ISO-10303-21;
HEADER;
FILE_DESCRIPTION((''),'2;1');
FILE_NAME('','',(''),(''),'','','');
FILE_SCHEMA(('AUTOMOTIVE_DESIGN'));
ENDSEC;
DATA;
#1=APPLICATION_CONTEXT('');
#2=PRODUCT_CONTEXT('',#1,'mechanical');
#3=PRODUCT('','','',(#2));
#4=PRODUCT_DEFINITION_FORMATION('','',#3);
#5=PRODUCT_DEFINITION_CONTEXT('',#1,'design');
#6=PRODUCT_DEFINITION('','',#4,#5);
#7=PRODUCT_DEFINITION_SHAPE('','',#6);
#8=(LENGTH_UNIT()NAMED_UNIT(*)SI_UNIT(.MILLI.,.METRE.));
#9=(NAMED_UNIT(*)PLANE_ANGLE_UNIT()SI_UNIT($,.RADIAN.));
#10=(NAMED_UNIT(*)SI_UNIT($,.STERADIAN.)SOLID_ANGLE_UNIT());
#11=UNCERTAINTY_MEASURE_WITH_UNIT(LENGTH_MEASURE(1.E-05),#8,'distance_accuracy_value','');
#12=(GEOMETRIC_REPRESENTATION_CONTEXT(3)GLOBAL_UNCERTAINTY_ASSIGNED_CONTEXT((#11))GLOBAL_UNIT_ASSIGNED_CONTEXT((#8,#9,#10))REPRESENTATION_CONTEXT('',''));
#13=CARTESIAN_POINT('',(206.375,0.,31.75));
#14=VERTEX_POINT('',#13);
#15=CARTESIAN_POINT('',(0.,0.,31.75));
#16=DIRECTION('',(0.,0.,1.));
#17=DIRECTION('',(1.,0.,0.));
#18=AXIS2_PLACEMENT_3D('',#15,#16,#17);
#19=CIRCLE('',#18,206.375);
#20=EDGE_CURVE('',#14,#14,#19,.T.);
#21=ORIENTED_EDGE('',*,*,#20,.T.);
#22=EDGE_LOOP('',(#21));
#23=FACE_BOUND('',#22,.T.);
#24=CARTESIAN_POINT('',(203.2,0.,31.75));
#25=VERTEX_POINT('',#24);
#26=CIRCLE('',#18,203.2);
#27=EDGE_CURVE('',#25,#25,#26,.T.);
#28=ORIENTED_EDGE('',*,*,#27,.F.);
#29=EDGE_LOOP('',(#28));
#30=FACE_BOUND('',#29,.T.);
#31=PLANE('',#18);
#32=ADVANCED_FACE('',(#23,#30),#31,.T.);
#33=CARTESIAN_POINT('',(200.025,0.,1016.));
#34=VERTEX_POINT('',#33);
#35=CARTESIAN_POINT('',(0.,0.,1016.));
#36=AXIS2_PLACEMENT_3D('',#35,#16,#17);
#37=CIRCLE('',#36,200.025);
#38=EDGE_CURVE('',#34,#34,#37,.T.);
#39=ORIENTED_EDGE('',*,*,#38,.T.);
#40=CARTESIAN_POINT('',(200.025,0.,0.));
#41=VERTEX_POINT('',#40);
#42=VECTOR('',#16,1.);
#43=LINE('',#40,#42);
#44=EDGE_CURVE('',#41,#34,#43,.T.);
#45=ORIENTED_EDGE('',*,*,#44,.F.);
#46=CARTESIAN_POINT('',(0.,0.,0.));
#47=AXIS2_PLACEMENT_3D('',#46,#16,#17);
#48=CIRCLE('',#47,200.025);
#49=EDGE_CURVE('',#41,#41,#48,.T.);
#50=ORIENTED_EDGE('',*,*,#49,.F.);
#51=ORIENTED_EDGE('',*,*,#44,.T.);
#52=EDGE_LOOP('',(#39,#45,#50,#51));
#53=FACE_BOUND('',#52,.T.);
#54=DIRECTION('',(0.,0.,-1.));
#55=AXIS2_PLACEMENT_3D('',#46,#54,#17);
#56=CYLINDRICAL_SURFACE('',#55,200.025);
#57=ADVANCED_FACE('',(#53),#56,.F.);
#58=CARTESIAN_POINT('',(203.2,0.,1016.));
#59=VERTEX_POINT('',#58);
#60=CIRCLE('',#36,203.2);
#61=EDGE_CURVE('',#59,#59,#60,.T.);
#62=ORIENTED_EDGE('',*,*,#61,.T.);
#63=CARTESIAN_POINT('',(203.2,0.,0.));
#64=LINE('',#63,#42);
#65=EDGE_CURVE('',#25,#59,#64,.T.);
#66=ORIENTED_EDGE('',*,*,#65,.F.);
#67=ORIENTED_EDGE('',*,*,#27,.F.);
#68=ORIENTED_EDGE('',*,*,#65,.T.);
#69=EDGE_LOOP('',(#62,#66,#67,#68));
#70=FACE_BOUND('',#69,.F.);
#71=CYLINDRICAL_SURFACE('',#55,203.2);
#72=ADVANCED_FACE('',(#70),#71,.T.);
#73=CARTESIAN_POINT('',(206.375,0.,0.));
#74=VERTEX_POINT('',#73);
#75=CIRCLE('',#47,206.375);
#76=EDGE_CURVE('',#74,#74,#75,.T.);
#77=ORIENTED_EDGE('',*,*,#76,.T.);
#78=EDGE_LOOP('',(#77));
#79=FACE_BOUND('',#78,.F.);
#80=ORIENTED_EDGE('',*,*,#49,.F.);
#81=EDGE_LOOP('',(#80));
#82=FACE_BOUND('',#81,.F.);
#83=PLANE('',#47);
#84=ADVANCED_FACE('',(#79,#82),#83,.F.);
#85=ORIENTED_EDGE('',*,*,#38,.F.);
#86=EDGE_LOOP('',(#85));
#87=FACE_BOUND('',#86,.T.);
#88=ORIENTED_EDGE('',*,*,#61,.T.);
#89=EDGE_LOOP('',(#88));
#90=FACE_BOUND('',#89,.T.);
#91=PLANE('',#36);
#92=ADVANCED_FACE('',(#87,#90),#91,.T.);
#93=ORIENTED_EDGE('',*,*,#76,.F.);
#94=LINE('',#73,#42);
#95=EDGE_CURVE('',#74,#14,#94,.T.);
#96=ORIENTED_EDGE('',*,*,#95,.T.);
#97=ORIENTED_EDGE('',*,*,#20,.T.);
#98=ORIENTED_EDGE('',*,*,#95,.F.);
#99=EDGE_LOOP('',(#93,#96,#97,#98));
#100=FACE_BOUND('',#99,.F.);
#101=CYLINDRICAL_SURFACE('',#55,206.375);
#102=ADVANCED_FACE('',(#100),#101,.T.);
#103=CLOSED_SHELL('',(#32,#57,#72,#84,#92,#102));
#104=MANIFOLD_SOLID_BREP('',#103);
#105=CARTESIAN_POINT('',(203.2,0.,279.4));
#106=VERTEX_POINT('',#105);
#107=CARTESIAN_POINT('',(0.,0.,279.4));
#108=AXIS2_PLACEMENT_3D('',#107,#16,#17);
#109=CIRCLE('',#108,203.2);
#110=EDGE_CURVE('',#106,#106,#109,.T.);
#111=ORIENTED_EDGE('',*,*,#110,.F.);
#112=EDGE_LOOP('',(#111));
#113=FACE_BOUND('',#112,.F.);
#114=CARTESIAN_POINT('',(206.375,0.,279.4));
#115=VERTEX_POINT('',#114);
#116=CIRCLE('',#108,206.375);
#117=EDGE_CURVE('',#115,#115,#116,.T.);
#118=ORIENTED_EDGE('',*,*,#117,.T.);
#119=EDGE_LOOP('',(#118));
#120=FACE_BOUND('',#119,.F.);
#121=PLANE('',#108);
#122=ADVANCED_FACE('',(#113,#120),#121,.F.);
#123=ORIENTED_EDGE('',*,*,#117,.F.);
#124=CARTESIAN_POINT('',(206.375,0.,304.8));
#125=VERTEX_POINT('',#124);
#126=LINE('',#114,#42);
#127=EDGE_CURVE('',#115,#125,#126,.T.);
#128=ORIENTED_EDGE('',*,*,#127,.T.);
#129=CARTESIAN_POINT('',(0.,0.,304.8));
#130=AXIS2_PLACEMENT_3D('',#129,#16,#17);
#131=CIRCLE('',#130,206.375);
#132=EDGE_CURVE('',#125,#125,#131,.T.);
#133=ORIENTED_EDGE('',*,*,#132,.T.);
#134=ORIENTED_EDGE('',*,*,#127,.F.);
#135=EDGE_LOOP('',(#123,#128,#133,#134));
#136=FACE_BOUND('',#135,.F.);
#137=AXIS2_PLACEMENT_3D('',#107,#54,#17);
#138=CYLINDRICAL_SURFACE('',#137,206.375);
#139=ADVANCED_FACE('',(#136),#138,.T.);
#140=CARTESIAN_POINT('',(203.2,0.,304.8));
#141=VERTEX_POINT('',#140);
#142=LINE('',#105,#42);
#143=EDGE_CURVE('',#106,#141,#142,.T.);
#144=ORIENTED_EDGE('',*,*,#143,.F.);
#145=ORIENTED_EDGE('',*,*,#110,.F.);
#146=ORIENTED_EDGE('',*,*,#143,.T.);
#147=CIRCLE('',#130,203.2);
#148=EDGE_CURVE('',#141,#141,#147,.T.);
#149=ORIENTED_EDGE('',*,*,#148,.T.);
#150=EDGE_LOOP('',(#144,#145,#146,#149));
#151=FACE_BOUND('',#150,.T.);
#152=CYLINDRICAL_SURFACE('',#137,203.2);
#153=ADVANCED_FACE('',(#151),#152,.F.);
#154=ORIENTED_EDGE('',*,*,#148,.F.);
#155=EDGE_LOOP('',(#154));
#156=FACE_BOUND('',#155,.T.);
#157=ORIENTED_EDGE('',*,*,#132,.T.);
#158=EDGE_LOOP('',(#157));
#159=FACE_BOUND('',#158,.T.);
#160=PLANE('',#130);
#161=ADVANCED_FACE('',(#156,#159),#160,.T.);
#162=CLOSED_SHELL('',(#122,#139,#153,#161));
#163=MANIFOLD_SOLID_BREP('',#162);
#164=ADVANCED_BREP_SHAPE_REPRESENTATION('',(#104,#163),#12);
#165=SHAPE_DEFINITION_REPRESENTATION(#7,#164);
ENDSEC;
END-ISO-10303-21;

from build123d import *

# Parameters (mm, degrees)
F0_R     = 203.2
F0_R_2   = 200.025
F1_DEPTH = 1016
F0_R_3   = 206.375
F2_DEPTH = 31.75
F5_R     = 206.375
F5_R_2   = 203.2
F6_DEPTH = 25.4


with BuildPart() as f1:
    # F0 (on Top) → F1 (new body)
    with BuildSketch(Plane.XY):
        Circle(F0_R)
        Circle(F0_R_2, mode=Mode.SUBTRACT)
    extrude(amount=F1_DEPTH)

    # F0 (on Top) → F2 (join)
    with BuildSketch(Plane.XY):
        Circle(F0_R_3)
        Circle(F0_R, mode=Mode.SUBTRACT)
    extrude(amount=F2_DEPTH)


with BuildPart() as f6:
    # F5 (on face) → F6 (new body)
    with BuildSketch(Plane.XY.offset(279.4)):
        Circle(F5_R)
        Circle(F5_R_2, mode=Mode.SUBTRACT)
    extrude(amount=F6_DEPTH)


solid = Compound([f1.part, f6.part])
